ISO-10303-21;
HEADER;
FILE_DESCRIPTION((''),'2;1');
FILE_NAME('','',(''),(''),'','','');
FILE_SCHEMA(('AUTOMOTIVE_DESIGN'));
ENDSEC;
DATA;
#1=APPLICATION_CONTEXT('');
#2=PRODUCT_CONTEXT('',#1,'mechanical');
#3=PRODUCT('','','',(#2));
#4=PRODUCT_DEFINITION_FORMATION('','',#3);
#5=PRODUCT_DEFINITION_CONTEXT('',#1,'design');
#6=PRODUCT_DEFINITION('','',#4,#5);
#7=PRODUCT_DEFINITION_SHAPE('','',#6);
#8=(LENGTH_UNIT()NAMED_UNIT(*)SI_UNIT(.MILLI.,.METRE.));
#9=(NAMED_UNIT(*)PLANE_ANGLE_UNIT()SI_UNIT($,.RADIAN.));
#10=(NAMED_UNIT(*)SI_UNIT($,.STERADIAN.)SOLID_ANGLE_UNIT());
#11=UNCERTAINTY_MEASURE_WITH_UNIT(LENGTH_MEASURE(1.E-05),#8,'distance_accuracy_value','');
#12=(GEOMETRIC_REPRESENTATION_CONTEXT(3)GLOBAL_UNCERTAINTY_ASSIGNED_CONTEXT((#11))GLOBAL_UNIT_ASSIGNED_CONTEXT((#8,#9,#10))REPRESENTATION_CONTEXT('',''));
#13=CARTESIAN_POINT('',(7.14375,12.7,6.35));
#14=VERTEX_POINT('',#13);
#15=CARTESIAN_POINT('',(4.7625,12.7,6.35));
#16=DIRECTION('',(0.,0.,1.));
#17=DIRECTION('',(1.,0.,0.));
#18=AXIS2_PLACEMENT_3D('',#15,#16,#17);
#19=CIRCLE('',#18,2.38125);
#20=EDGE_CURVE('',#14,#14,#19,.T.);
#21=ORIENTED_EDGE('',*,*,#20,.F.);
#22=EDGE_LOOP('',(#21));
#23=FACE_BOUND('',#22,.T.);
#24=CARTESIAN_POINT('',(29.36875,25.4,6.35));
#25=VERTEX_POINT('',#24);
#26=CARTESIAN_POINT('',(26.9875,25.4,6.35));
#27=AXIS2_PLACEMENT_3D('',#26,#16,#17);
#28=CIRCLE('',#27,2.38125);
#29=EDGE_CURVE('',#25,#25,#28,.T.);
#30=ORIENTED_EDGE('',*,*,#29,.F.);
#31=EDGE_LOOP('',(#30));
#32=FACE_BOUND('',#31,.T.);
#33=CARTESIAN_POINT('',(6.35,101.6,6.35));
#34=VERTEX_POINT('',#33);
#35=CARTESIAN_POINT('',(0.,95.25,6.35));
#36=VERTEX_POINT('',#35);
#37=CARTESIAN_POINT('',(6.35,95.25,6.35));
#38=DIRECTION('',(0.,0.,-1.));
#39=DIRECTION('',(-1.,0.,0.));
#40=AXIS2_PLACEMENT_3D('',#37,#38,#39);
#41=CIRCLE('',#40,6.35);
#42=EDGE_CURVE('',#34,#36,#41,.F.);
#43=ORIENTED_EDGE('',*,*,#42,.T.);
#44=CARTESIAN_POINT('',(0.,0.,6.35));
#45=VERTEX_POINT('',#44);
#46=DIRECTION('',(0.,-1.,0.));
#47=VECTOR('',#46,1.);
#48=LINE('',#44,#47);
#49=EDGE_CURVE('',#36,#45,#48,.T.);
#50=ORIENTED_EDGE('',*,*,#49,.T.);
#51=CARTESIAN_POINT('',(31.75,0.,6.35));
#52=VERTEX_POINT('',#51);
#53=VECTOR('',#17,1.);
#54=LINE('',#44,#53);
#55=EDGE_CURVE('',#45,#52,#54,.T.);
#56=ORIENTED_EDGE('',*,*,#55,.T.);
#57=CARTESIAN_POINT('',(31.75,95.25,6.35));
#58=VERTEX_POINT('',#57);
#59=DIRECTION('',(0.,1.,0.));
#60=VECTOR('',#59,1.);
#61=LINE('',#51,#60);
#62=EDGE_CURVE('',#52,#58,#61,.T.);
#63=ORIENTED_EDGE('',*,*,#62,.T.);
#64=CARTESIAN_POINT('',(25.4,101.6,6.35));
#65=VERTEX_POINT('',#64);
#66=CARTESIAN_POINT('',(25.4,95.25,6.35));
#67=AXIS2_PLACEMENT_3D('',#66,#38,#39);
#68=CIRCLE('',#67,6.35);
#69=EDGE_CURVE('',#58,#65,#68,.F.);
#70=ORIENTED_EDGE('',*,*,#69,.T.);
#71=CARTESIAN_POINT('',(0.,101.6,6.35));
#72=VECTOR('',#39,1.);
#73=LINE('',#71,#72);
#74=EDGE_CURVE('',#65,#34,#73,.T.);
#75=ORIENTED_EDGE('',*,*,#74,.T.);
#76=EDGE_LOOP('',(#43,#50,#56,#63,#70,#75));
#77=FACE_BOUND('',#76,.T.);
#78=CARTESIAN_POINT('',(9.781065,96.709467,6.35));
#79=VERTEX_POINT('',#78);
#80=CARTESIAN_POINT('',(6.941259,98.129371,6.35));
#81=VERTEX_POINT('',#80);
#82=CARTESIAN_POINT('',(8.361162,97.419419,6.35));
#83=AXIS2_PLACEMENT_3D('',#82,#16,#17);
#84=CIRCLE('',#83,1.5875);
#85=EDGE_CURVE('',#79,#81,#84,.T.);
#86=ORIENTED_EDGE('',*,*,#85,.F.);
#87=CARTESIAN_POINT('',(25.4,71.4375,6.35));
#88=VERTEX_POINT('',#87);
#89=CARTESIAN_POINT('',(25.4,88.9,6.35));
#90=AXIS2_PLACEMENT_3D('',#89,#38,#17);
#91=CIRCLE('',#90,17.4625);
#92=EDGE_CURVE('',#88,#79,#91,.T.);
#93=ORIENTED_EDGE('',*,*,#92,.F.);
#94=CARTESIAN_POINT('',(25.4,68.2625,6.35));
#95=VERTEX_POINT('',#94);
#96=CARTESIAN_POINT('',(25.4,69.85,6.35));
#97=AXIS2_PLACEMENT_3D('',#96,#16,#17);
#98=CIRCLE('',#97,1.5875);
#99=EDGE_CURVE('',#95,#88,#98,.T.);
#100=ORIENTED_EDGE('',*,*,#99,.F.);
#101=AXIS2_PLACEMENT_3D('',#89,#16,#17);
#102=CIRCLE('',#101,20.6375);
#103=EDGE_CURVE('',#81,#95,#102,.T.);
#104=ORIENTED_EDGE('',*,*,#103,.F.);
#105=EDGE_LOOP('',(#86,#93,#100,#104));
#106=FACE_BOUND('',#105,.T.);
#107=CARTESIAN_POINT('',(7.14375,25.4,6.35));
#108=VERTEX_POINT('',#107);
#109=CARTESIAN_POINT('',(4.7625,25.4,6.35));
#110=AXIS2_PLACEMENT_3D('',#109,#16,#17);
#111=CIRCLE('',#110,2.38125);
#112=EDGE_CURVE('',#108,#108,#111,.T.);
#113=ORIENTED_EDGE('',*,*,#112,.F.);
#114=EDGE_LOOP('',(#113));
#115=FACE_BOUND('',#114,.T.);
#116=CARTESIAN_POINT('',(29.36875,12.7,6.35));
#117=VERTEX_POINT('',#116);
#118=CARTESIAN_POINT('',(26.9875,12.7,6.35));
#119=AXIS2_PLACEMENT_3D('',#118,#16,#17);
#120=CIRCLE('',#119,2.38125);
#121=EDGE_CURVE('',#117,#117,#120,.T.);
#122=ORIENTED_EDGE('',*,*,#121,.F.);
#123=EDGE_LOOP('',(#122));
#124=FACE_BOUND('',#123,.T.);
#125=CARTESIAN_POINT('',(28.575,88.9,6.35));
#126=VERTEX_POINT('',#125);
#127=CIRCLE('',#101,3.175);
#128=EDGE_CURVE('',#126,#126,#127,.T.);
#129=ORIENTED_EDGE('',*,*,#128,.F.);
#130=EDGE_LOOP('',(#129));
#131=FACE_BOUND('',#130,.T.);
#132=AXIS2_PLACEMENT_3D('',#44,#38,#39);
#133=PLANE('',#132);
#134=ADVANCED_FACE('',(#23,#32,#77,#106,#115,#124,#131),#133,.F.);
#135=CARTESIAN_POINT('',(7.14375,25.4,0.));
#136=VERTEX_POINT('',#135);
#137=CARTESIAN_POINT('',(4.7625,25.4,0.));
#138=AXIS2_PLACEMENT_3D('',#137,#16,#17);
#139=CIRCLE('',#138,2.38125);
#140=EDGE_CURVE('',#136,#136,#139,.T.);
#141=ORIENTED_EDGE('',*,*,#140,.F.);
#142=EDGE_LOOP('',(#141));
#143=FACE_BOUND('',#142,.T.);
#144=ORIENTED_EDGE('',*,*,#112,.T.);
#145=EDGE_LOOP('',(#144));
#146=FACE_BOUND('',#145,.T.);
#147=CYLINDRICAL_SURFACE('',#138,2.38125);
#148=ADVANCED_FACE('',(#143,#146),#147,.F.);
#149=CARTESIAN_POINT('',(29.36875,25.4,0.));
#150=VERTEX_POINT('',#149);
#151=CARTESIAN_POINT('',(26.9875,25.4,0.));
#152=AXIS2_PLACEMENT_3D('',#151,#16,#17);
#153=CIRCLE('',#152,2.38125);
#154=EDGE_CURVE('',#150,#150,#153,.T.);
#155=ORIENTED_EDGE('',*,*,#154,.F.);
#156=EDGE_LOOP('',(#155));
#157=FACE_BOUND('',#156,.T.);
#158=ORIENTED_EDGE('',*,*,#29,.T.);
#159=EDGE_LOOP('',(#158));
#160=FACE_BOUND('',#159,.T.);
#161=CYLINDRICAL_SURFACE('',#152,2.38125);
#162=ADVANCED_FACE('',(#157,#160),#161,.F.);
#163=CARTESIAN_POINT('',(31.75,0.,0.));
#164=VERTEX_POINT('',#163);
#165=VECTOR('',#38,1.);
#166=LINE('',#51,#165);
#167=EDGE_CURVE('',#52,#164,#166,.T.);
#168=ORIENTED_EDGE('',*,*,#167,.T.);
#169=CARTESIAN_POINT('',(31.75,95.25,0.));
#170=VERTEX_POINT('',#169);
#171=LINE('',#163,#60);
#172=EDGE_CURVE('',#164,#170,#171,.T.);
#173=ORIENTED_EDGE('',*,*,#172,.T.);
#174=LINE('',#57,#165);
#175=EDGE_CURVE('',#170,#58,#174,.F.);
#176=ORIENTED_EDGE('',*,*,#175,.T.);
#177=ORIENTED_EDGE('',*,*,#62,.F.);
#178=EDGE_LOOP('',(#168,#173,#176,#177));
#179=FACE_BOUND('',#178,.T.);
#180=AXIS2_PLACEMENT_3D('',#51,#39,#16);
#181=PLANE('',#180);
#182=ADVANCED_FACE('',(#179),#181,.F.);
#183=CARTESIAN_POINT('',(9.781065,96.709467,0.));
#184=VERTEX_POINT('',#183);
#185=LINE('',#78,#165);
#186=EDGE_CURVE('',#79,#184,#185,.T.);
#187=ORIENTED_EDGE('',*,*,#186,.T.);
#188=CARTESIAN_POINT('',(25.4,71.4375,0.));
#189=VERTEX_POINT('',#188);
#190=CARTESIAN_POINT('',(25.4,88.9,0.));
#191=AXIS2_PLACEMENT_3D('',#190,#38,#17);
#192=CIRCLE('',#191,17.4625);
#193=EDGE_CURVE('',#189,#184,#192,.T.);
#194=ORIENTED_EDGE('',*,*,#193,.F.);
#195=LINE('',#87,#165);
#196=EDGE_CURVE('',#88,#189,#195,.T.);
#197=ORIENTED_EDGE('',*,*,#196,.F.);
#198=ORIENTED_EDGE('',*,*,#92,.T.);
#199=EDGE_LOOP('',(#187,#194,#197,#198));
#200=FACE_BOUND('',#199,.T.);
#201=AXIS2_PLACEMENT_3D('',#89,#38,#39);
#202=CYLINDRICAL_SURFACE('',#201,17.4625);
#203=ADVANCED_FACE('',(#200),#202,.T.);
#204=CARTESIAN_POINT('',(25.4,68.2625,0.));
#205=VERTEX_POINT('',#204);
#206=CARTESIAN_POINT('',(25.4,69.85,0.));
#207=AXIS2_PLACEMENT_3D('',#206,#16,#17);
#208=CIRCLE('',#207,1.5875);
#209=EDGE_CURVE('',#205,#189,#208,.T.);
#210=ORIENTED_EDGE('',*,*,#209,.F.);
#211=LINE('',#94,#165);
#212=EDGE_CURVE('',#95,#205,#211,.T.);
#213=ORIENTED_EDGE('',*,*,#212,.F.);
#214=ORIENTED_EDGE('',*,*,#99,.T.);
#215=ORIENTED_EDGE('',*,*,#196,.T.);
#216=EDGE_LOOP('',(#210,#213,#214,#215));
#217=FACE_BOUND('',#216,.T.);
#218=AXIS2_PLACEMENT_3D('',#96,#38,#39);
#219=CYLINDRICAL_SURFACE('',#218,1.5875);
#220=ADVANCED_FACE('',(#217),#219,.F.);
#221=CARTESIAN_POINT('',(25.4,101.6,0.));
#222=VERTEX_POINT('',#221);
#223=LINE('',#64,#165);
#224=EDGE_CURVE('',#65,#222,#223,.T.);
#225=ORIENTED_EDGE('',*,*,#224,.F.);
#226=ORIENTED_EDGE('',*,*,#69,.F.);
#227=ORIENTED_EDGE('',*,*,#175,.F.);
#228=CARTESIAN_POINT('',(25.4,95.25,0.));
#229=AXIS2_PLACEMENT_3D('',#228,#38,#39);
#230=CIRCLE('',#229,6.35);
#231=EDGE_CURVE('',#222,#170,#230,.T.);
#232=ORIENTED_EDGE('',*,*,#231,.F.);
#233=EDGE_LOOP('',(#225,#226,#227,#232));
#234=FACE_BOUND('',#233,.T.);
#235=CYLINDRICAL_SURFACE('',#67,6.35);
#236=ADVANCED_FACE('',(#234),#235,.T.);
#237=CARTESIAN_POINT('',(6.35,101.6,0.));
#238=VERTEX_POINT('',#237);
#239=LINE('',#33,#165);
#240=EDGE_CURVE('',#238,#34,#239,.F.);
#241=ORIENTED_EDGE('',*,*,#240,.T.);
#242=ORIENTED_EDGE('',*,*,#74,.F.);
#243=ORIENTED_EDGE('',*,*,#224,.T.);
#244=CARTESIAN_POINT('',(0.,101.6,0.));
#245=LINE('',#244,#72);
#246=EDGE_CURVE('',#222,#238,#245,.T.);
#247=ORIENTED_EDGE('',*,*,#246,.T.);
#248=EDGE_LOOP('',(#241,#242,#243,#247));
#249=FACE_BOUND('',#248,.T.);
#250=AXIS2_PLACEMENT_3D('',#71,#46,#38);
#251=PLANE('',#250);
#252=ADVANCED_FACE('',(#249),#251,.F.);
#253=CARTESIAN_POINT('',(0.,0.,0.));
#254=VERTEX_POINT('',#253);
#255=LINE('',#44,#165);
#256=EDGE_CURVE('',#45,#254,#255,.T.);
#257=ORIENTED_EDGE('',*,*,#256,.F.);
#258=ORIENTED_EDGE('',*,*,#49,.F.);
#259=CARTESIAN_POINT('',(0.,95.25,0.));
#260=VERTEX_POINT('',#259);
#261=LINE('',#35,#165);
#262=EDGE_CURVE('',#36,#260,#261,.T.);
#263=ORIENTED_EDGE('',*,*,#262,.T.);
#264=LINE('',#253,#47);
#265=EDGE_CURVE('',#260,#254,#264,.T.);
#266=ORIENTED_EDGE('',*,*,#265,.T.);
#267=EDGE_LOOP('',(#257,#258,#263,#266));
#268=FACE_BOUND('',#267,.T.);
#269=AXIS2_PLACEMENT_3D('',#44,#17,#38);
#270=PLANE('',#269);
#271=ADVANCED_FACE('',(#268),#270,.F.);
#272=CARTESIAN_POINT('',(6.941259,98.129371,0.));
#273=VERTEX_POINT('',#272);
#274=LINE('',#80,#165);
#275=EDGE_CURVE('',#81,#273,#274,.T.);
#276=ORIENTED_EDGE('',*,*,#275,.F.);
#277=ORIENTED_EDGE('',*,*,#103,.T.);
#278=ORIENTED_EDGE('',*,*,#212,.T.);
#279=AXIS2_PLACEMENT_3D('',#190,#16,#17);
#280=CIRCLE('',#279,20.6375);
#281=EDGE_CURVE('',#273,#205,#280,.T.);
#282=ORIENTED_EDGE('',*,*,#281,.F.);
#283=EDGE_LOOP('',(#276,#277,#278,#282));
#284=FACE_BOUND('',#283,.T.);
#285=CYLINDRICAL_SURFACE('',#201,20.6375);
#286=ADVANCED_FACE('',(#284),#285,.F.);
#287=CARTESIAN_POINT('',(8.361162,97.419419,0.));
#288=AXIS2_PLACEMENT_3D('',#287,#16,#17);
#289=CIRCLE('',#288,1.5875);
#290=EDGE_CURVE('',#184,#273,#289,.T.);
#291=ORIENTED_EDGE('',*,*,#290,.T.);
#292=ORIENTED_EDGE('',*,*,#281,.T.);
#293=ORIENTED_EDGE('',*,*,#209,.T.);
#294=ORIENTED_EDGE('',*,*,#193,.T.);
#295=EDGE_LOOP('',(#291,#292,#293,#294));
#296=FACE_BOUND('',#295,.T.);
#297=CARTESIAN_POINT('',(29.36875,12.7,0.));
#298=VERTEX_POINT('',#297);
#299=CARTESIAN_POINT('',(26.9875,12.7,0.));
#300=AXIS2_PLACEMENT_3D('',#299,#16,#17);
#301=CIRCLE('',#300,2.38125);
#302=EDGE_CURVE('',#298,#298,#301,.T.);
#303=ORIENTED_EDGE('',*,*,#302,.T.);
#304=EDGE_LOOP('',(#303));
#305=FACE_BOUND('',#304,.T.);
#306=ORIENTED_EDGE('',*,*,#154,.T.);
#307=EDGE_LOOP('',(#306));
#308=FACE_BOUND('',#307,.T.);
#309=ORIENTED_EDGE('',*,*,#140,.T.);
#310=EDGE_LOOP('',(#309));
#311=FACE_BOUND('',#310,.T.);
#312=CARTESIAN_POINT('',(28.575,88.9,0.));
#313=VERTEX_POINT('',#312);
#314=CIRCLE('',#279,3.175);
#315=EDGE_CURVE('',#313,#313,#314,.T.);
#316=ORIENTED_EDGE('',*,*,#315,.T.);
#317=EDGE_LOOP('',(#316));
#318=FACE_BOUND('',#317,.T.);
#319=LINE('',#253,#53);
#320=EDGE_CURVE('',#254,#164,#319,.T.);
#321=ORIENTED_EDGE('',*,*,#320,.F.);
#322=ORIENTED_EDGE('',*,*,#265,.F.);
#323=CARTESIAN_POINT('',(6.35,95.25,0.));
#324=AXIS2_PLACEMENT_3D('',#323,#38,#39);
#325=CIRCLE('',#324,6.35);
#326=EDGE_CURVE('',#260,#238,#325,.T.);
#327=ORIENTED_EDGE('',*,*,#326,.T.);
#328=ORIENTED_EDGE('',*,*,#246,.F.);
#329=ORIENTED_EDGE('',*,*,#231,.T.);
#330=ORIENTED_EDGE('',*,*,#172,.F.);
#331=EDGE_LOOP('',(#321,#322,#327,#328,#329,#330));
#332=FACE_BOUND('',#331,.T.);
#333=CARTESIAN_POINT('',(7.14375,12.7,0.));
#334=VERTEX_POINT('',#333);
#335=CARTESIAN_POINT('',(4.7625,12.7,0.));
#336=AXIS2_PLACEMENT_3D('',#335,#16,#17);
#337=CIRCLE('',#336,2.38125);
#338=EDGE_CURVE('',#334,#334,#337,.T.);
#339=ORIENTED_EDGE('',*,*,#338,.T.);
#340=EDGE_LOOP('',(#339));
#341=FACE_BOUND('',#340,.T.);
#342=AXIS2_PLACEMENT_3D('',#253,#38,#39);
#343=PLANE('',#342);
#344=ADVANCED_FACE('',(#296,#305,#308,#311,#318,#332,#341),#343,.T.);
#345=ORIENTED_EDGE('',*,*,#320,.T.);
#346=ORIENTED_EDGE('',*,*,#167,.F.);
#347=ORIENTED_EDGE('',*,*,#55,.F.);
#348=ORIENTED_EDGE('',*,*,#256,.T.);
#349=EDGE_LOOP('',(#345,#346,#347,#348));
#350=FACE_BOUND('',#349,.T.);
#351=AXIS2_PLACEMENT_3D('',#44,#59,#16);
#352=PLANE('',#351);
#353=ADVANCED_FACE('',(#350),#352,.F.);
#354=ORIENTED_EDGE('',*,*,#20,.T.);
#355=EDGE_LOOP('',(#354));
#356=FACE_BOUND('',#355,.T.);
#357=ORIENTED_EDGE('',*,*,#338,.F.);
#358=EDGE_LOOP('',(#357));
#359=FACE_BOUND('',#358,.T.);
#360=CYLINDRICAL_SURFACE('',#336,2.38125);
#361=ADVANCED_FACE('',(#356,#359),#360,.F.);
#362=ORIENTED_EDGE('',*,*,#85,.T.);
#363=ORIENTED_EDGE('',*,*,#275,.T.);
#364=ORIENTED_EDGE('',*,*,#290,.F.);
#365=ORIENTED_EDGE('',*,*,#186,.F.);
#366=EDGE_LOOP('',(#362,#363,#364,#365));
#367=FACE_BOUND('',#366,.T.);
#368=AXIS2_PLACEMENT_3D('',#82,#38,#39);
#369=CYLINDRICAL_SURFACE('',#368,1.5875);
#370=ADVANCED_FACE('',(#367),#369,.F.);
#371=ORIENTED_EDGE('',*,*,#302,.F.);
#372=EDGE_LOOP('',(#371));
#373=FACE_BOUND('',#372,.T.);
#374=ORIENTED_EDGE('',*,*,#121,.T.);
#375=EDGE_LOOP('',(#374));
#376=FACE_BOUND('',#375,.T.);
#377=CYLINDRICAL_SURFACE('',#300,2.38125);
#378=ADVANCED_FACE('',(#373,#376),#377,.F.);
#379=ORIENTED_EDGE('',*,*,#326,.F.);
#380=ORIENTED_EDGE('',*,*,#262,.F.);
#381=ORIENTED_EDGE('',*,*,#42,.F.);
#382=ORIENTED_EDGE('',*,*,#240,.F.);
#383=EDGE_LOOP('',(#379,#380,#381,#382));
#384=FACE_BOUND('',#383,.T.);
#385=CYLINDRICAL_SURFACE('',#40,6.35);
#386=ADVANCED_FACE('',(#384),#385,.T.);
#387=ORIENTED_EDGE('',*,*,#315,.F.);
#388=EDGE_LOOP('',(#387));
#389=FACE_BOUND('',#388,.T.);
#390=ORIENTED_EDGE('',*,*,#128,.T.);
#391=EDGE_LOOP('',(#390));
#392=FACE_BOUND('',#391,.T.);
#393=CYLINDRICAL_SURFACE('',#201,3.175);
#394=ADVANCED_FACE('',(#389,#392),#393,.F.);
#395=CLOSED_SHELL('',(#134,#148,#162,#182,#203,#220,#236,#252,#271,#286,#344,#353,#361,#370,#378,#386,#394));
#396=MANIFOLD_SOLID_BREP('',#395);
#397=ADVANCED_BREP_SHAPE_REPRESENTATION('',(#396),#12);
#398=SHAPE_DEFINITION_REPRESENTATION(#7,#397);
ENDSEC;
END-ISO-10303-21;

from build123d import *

# Parameters (mm, degrees)
SKETCH1_W           = 31.75
SKETCH1_H           = 101.6
SKETCH1_R           = 3.175
BOSS_EXTRUDE1_DEPTH = 6.35
SKETCH2_R           = 2.38125
CUT_EXTRUDE1_DEPTH  = 107.634633211
FILLET1_R           = 6.35


with BuildPart() as part:
    # Sketch1 → Boss-Extrude1 (new body)
    with BuildSketch(Plane.XY):
        with Locations((15.875, 50.8)):
            Rectangle(SKETCH1_W, SKETCH1_H)
        with Locations((25.4, 88.9)):
            Circle(SKETCH1_R, mode=Mode.SUBTRACT)
        with BuildLine():
            ThreePointArc((6.941258846, 98.129370577), (7.844693943, 78.050224174), (25.4, 68.2625))
            ThreePointArc((25.4, 68.2625), (26.9875, 69.85), (25.4, 71.4375))
            ThreePointArc((25.4, 71.4375), (10.545510259, 79.719420455), (9.781065177, 96.709467411))
            ThreePointArc((9.781065177, 96.709467411), (9.071113594, 98.83932216), (6.941258846, 98.129370577))
        make_face(mode=Mode.SUBTRACT)
    extrude(amount=BOSS_EXTRUDE1_DEPTH)

    # Sketch2 → Cut-Extrude1 (cut, through all)
    with BuildSketch(Plane.XY.offset(6.35)):
        with Locations((4.7625, 25.4)):
            Circle(SKETCH2_R)
        with Locations((26.9875, 25.4)):
            Circle(SKETCH2_R)
        with Locations((4.7625, 12.7)):
            Circle(SKETCH2_R)
        with Locations((26.9875, 12.7)):
            Circle(SKETCH2_R)
    extrude(amount=-CUT_EXTRUDE1_DEPTH, mode=Mode.SUBTRACT)

    # Fillet1
    fillet1_edges = [part.edges().sort_by_distance(p)[0] for p in [
        (0, 101.6, 3.175),
        (31.75, 101.6, 3.175),
    ]]
    fillet(fillet1_edges, radius=FILLET1_R)


solid = part.part
